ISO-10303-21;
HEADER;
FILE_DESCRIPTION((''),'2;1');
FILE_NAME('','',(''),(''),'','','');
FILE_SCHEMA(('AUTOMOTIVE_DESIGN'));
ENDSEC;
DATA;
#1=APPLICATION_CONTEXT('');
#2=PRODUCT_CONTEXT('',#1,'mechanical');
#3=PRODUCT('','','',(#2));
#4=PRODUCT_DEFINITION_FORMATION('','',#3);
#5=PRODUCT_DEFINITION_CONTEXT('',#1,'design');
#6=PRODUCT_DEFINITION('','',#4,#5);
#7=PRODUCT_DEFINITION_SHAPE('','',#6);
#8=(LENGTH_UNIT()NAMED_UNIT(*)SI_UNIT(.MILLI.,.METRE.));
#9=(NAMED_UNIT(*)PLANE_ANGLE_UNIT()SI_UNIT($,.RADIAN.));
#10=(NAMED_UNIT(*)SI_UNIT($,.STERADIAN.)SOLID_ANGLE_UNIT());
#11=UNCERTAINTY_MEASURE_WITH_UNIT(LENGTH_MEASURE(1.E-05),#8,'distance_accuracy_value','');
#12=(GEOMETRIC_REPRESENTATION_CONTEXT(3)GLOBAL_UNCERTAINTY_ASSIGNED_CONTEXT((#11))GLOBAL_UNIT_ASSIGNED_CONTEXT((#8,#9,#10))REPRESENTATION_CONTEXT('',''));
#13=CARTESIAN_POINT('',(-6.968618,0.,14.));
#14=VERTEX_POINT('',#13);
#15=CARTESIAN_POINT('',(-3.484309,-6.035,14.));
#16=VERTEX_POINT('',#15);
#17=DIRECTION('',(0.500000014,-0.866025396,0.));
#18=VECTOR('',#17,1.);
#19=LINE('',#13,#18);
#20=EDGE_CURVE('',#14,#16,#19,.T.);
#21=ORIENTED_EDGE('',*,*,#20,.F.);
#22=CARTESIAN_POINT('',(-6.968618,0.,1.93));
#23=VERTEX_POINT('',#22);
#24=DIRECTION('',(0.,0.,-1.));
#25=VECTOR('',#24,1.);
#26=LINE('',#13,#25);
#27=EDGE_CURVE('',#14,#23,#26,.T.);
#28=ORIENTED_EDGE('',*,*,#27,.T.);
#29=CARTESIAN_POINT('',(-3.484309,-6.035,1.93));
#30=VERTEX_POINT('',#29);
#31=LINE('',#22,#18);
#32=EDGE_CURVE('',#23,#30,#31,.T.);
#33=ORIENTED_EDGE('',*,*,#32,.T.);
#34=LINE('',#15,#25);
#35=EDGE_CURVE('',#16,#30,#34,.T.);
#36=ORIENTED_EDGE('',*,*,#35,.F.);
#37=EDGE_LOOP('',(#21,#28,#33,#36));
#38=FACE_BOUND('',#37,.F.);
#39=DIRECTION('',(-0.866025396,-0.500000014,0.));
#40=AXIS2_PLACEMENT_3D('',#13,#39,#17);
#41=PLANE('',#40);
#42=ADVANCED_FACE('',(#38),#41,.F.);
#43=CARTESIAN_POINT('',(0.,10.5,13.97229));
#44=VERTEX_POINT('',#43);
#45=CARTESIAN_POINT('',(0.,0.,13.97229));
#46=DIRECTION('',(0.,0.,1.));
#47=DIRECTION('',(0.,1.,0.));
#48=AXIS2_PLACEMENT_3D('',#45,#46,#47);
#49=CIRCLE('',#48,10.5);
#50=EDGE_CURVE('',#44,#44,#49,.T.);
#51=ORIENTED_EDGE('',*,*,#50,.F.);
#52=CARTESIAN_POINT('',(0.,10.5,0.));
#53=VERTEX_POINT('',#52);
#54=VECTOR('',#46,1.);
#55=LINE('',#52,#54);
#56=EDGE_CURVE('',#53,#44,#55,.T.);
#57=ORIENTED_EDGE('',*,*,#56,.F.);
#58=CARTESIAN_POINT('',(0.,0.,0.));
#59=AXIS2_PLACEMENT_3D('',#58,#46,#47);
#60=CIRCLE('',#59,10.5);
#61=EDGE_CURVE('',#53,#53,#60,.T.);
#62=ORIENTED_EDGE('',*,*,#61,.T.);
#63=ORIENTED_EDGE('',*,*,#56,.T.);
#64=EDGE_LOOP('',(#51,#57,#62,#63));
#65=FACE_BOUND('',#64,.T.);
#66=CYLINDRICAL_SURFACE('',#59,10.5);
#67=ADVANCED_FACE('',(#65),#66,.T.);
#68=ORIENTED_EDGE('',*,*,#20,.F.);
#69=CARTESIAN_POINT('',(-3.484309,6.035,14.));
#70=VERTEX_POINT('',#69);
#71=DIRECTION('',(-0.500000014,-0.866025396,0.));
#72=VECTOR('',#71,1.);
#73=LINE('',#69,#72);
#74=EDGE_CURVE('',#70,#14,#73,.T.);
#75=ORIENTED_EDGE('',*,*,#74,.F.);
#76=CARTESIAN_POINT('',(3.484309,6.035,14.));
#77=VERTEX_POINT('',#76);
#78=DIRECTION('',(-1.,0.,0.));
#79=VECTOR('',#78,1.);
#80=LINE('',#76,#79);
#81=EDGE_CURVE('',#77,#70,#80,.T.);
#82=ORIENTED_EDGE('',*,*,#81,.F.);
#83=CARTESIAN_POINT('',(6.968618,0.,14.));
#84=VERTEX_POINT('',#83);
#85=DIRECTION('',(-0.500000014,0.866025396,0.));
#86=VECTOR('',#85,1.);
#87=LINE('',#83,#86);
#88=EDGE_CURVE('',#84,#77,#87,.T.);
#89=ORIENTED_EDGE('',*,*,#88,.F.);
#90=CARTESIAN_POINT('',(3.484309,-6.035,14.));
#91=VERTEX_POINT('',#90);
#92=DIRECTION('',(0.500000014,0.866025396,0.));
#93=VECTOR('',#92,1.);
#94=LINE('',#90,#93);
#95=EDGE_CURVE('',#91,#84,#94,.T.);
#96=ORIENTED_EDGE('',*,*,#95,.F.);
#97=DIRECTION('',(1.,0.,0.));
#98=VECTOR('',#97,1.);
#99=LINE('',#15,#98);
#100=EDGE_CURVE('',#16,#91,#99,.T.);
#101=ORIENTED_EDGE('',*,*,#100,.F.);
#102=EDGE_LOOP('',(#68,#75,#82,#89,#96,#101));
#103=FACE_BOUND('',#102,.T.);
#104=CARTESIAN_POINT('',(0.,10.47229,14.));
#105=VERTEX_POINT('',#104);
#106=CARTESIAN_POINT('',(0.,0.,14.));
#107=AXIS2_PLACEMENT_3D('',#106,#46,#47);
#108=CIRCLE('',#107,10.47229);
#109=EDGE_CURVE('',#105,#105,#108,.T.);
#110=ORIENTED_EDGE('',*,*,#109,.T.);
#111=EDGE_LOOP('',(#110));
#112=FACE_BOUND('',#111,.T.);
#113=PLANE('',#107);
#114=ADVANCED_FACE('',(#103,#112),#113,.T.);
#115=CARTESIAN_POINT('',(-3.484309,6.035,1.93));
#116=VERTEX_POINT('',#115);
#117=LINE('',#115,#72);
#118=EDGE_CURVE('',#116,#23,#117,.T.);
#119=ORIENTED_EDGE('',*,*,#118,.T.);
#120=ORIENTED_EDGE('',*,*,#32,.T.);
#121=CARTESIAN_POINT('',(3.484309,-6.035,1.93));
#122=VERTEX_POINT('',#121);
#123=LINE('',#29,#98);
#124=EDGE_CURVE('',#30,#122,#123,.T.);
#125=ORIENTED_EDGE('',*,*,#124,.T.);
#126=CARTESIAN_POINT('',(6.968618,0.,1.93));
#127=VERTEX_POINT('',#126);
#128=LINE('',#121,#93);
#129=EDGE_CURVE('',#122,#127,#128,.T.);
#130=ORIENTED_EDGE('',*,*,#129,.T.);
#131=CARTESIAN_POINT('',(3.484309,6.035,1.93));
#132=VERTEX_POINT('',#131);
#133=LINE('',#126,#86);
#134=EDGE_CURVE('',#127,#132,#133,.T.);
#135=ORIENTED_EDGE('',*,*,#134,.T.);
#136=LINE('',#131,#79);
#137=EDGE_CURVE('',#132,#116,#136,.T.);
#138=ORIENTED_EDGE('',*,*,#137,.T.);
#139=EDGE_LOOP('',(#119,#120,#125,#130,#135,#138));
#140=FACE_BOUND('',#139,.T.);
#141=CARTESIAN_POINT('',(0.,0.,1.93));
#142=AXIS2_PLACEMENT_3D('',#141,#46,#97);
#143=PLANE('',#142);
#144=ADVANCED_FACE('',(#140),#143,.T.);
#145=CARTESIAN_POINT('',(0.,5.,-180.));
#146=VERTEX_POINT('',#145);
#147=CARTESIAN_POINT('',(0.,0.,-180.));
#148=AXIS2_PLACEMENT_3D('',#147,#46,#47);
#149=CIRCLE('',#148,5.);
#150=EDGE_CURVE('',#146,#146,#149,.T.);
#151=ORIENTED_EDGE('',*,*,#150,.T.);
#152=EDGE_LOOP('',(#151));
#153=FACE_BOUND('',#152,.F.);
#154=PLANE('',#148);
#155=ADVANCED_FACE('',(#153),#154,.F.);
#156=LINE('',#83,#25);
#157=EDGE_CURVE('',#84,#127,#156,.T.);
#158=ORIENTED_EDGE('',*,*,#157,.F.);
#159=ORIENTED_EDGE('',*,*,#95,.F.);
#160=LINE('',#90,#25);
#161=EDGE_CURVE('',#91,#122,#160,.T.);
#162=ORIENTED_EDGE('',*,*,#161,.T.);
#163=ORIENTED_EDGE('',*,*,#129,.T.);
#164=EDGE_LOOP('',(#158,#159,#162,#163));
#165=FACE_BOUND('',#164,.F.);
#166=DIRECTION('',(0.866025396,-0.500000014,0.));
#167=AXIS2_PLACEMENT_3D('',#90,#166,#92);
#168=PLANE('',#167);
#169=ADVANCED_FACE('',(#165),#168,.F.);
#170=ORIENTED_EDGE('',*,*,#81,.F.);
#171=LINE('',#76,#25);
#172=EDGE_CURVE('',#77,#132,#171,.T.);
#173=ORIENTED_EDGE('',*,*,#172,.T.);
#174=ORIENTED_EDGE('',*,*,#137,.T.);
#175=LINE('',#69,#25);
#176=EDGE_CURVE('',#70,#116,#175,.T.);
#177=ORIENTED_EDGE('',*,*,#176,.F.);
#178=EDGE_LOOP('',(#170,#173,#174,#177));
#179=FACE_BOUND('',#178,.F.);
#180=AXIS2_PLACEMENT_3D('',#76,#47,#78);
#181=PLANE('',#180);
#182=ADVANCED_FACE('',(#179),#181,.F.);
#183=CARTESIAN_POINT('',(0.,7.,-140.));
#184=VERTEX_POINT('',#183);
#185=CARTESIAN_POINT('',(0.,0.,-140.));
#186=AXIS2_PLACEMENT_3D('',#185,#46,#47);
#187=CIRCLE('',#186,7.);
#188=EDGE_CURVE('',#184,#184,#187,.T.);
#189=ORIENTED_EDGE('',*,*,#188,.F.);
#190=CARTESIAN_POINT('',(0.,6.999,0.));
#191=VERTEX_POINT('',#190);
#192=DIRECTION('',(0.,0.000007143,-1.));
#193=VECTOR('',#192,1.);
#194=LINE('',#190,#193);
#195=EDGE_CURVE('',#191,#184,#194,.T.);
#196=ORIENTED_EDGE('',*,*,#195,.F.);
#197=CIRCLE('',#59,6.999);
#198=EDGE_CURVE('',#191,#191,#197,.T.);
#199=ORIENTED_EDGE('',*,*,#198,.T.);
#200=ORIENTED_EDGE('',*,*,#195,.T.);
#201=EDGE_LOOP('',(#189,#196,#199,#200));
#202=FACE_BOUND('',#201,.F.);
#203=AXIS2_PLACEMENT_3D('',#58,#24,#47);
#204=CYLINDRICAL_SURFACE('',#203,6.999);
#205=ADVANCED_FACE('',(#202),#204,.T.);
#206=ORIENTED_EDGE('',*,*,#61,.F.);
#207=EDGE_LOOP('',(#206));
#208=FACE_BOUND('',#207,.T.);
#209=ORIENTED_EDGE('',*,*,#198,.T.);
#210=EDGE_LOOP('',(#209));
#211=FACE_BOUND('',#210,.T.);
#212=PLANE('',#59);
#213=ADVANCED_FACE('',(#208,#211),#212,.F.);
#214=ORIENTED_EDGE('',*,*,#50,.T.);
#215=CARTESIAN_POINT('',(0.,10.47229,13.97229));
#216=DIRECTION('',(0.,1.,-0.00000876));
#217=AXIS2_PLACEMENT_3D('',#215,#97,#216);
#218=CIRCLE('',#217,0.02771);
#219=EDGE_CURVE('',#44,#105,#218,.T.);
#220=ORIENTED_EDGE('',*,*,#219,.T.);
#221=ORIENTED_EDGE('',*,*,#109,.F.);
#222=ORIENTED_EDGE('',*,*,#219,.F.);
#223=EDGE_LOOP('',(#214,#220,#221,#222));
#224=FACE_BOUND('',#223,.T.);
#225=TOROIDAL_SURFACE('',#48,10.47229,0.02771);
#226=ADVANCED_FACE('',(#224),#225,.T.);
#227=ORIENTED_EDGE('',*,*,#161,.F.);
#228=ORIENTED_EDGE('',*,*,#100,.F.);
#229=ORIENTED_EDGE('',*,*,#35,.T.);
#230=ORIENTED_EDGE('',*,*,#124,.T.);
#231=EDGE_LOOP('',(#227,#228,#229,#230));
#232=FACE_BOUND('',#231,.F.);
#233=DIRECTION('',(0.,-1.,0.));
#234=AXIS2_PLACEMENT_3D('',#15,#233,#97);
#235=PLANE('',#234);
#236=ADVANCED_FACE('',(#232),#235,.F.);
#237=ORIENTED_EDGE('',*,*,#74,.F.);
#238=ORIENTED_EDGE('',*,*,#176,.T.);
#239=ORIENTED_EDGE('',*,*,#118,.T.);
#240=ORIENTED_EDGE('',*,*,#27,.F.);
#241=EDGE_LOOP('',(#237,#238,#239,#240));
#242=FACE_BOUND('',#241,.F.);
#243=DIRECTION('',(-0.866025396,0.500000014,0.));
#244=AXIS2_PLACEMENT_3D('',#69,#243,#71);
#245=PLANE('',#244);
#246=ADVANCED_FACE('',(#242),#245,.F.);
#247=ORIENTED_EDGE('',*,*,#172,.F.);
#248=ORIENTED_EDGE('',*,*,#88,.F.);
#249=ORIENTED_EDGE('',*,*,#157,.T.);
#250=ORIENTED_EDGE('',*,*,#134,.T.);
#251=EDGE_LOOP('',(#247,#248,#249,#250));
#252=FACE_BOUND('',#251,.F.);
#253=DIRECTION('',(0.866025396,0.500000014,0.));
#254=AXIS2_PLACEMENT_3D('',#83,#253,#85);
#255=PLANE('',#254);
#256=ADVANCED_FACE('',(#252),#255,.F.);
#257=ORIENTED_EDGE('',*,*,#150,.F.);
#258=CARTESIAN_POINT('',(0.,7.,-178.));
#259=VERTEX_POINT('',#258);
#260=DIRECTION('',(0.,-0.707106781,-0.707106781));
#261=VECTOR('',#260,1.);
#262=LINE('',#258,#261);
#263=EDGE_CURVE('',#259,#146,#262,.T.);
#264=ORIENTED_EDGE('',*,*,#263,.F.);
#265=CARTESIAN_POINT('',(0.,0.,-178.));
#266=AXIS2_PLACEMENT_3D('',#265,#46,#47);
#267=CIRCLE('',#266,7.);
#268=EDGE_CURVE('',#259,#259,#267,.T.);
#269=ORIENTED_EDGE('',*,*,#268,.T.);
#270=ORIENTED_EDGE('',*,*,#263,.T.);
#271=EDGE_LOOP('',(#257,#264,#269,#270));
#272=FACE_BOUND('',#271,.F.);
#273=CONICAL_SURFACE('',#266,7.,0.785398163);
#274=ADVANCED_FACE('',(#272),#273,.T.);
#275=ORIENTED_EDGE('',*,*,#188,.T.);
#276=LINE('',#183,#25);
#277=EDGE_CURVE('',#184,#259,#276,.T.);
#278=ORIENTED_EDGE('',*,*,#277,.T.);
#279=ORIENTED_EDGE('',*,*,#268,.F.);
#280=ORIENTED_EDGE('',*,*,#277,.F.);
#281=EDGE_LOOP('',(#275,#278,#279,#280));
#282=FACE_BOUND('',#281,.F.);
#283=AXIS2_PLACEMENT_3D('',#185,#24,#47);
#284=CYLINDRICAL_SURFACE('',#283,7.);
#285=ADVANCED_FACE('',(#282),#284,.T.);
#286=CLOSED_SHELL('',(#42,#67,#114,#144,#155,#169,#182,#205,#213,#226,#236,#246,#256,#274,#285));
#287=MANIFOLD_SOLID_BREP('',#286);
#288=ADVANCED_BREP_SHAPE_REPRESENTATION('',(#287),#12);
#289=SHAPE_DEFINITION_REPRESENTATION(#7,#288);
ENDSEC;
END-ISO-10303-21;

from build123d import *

# Parameters (mm, degrees)
POCKET_DEPTH = 12.07


with BuildPart() as part:
    # Sketch → Revolve (revolve)
    with BuildSketch(Plane.YZ):
        with BuildLine():
            Line((6.999, 0), (10.5, 0))
            Line((10.5, 0), (10.5, 13.97229))
            ThreePointArc((10.5, 13.97229), (10.491884, 13.991884), (10.47229, 14))
            Line((10.47229, 14), (0, 14))
            Line((0, -180), (0, 14))
            Line((5, -180), (0, -180))
            Line((7, -178), (5, -180))
            Line((7, -140), (7, -178))
            Line((6.999, 0), (7, -140))
        make_face()
    revolve(axis=Axis((0, 0, 0), (0, 0, 1)))

    # Sketch001 → Pocket (cut)
    with BuildSketch(Plane.XY.offset(14)):
        Polygon((6.968618, 0), (3.484309, 6.035), (-3.484309, 6.035), (-6.968618, 0), (-3.484309, -6.035), (3.484309, -6.035), align=None)
    extrude(amount=-POCKET_DEPTH, mode=Mode.SUBTRACT)


solid = part.part
